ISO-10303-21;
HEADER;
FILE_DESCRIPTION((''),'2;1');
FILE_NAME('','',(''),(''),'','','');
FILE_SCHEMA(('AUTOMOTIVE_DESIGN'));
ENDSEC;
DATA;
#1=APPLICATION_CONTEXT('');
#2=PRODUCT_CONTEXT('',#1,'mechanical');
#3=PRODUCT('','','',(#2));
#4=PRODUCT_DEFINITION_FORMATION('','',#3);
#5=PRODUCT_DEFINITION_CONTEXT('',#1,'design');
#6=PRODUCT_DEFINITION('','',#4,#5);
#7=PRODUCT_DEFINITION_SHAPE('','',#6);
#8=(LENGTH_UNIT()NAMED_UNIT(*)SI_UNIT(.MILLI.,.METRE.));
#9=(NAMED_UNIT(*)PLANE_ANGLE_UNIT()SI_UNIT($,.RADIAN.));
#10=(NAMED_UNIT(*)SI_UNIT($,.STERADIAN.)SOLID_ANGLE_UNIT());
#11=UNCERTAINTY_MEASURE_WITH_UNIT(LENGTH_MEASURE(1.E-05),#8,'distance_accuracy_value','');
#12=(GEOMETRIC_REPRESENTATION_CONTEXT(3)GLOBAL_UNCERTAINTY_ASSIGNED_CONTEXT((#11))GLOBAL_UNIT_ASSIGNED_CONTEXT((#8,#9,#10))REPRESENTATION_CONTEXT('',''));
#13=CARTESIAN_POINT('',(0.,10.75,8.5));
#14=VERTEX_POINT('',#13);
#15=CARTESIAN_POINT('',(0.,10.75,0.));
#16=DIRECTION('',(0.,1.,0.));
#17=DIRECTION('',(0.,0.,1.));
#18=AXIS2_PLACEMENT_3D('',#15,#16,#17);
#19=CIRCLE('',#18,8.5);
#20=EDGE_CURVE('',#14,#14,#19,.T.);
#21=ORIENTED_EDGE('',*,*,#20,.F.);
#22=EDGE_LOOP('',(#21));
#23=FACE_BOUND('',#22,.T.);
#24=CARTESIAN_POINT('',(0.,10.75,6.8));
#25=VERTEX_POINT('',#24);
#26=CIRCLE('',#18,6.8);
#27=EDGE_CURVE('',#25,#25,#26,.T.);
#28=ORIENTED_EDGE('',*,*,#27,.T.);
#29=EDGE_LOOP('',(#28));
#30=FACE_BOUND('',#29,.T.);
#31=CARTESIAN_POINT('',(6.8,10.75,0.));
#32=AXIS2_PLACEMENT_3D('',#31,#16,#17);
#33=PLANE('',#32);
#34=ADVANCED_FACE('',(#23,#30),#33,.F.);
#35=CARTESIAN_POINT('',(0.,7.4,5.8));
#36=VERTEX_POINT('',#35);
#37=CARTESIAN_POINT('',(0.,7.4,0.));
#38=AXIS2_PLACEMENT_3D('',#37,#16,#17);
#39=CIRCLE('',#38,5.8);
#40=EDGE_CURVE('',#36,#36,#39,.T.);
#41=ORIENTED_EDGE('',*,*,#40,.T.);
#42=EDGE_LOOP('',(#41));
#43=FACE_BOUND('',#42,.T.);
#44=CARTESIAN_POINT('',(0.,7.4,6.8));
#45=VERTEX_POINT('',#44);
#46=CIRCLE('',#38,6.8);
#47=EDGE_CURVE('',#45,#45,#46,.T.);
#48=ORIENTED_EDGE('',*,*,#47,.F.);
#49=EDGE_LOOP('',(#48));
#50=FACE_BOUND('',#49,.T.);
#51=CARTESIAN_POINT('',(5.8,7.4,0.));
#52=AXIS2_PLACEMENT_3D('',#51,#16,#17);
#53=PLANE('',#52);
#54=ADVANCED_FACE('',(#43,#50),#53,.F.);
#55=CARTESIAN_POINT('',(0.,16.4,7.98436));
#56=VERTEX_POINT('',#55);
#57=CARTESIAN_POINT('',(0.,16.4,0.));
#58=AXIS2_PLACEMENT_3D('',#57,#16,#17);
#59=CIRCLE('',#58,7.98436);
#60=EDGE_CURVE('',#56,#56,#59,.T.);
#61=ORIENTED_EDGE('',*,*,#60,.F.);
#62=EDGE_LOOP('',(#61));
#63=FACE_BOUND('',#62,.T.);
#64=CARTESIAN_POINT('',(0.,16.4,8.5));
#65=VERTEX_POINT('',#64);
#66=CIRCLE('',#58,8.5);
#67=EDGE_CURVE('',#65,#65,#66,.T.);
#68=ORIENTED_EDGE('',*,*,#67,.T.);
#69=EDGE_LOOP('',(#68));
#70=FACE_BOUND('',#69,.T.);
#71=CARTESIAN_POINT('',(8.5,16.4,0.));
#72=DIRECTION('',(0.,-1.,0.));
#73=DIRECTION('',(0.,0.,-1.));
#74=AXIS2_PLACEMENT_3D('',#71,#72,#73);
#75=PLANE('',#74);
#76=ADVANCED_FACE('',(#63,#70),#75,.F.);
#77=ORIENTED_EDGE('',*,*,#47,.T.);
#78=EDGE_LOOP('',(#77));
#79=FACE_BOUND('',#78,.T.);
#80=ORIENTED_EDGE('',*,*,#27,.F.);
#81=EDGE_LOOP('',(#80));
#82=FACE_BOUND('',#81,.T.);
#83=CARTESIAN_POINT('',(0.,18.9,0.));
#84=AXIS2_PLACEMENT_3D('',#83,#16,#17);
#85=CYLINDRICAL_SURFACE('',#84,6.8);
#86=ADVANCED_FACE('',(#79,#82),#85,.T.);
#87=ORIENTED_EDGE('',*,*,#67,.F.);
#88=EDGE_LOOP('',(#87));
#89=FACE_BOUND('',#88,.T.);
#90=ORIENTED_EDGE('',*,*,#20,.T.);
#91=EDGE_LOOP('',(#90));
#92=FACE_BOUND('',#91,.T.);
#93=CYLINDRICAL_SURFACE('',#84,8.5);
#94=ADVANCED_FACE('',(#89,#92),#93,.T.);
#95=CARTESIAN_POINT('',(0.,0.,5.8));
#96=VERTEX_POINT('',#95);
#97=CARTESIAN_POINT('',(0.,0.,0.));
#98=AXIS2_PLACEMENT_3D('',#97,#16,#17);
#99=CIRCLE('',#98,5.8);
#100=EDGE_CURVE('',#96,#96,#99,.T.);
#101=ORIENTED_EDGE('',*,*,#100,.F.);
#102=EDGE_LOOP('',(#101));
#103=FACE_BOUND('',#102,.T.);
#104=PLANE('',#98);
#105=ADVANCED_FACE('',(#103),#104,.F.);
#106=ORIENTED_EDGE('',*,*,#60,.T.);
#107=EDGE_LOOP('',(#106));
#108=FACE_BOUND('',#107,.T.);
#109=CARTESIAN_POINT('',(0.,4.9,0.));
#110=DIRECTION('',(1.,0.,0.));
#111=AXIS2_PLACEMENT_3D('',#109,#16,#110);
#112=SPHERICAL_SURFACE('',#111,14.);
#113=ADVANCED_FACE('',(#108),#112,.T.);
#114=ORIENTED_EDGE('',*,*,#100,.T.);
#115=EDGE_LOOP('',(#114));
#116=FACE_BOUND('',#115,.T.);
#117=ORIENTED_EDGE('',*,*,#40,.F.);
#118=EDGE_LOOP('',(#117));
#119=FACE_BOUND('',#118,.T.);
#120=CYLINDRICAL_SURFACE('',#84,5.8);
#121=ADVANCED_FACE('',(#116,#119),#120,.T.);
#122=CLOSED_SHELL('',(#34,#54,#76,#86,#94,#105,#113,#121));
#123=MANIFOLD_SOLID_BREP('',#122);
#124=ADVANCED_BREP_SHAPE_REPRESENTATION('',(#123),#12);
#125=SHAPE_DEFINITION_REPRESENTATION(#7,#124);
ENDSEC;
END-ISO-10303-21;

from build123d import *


with BuildPart() as part:
    # 草图1 → 旋转1 (revolve)
    with BuildSketch(Plane.XY, mode=Mode.PRIVATE) as revolve_1_sk:
        with BuildLine():
            Line((0, 0), (5.8, 0))
            Line((5.8, 0), (5.8, 7.4))
            Line((5.8, 7.4), (6.8, 7.4))
            Line((6.8, 7.4), (6.8, 10.75))
            Line((6.8, 10.75), (8.5, 10.75))
            Line((8.5, 10.75), (8.5, 16.4))
            Line((8.5, 16.4), (7.984359711, 16.4))
            ThreePointArc((7.984359711, 16.4), (4.183300133, 18.260389216), (0, 18.9))
            Line((0, 18.9), (0, 0))
        make_face()
    revolve(revolve_1_sk.sketch.rotate(Axis((0, 18.9, 0), (0, -1, 0)), 90), axis=Axis((0, 18.9, 0), (0, -1, 0)))


solid = part.part
